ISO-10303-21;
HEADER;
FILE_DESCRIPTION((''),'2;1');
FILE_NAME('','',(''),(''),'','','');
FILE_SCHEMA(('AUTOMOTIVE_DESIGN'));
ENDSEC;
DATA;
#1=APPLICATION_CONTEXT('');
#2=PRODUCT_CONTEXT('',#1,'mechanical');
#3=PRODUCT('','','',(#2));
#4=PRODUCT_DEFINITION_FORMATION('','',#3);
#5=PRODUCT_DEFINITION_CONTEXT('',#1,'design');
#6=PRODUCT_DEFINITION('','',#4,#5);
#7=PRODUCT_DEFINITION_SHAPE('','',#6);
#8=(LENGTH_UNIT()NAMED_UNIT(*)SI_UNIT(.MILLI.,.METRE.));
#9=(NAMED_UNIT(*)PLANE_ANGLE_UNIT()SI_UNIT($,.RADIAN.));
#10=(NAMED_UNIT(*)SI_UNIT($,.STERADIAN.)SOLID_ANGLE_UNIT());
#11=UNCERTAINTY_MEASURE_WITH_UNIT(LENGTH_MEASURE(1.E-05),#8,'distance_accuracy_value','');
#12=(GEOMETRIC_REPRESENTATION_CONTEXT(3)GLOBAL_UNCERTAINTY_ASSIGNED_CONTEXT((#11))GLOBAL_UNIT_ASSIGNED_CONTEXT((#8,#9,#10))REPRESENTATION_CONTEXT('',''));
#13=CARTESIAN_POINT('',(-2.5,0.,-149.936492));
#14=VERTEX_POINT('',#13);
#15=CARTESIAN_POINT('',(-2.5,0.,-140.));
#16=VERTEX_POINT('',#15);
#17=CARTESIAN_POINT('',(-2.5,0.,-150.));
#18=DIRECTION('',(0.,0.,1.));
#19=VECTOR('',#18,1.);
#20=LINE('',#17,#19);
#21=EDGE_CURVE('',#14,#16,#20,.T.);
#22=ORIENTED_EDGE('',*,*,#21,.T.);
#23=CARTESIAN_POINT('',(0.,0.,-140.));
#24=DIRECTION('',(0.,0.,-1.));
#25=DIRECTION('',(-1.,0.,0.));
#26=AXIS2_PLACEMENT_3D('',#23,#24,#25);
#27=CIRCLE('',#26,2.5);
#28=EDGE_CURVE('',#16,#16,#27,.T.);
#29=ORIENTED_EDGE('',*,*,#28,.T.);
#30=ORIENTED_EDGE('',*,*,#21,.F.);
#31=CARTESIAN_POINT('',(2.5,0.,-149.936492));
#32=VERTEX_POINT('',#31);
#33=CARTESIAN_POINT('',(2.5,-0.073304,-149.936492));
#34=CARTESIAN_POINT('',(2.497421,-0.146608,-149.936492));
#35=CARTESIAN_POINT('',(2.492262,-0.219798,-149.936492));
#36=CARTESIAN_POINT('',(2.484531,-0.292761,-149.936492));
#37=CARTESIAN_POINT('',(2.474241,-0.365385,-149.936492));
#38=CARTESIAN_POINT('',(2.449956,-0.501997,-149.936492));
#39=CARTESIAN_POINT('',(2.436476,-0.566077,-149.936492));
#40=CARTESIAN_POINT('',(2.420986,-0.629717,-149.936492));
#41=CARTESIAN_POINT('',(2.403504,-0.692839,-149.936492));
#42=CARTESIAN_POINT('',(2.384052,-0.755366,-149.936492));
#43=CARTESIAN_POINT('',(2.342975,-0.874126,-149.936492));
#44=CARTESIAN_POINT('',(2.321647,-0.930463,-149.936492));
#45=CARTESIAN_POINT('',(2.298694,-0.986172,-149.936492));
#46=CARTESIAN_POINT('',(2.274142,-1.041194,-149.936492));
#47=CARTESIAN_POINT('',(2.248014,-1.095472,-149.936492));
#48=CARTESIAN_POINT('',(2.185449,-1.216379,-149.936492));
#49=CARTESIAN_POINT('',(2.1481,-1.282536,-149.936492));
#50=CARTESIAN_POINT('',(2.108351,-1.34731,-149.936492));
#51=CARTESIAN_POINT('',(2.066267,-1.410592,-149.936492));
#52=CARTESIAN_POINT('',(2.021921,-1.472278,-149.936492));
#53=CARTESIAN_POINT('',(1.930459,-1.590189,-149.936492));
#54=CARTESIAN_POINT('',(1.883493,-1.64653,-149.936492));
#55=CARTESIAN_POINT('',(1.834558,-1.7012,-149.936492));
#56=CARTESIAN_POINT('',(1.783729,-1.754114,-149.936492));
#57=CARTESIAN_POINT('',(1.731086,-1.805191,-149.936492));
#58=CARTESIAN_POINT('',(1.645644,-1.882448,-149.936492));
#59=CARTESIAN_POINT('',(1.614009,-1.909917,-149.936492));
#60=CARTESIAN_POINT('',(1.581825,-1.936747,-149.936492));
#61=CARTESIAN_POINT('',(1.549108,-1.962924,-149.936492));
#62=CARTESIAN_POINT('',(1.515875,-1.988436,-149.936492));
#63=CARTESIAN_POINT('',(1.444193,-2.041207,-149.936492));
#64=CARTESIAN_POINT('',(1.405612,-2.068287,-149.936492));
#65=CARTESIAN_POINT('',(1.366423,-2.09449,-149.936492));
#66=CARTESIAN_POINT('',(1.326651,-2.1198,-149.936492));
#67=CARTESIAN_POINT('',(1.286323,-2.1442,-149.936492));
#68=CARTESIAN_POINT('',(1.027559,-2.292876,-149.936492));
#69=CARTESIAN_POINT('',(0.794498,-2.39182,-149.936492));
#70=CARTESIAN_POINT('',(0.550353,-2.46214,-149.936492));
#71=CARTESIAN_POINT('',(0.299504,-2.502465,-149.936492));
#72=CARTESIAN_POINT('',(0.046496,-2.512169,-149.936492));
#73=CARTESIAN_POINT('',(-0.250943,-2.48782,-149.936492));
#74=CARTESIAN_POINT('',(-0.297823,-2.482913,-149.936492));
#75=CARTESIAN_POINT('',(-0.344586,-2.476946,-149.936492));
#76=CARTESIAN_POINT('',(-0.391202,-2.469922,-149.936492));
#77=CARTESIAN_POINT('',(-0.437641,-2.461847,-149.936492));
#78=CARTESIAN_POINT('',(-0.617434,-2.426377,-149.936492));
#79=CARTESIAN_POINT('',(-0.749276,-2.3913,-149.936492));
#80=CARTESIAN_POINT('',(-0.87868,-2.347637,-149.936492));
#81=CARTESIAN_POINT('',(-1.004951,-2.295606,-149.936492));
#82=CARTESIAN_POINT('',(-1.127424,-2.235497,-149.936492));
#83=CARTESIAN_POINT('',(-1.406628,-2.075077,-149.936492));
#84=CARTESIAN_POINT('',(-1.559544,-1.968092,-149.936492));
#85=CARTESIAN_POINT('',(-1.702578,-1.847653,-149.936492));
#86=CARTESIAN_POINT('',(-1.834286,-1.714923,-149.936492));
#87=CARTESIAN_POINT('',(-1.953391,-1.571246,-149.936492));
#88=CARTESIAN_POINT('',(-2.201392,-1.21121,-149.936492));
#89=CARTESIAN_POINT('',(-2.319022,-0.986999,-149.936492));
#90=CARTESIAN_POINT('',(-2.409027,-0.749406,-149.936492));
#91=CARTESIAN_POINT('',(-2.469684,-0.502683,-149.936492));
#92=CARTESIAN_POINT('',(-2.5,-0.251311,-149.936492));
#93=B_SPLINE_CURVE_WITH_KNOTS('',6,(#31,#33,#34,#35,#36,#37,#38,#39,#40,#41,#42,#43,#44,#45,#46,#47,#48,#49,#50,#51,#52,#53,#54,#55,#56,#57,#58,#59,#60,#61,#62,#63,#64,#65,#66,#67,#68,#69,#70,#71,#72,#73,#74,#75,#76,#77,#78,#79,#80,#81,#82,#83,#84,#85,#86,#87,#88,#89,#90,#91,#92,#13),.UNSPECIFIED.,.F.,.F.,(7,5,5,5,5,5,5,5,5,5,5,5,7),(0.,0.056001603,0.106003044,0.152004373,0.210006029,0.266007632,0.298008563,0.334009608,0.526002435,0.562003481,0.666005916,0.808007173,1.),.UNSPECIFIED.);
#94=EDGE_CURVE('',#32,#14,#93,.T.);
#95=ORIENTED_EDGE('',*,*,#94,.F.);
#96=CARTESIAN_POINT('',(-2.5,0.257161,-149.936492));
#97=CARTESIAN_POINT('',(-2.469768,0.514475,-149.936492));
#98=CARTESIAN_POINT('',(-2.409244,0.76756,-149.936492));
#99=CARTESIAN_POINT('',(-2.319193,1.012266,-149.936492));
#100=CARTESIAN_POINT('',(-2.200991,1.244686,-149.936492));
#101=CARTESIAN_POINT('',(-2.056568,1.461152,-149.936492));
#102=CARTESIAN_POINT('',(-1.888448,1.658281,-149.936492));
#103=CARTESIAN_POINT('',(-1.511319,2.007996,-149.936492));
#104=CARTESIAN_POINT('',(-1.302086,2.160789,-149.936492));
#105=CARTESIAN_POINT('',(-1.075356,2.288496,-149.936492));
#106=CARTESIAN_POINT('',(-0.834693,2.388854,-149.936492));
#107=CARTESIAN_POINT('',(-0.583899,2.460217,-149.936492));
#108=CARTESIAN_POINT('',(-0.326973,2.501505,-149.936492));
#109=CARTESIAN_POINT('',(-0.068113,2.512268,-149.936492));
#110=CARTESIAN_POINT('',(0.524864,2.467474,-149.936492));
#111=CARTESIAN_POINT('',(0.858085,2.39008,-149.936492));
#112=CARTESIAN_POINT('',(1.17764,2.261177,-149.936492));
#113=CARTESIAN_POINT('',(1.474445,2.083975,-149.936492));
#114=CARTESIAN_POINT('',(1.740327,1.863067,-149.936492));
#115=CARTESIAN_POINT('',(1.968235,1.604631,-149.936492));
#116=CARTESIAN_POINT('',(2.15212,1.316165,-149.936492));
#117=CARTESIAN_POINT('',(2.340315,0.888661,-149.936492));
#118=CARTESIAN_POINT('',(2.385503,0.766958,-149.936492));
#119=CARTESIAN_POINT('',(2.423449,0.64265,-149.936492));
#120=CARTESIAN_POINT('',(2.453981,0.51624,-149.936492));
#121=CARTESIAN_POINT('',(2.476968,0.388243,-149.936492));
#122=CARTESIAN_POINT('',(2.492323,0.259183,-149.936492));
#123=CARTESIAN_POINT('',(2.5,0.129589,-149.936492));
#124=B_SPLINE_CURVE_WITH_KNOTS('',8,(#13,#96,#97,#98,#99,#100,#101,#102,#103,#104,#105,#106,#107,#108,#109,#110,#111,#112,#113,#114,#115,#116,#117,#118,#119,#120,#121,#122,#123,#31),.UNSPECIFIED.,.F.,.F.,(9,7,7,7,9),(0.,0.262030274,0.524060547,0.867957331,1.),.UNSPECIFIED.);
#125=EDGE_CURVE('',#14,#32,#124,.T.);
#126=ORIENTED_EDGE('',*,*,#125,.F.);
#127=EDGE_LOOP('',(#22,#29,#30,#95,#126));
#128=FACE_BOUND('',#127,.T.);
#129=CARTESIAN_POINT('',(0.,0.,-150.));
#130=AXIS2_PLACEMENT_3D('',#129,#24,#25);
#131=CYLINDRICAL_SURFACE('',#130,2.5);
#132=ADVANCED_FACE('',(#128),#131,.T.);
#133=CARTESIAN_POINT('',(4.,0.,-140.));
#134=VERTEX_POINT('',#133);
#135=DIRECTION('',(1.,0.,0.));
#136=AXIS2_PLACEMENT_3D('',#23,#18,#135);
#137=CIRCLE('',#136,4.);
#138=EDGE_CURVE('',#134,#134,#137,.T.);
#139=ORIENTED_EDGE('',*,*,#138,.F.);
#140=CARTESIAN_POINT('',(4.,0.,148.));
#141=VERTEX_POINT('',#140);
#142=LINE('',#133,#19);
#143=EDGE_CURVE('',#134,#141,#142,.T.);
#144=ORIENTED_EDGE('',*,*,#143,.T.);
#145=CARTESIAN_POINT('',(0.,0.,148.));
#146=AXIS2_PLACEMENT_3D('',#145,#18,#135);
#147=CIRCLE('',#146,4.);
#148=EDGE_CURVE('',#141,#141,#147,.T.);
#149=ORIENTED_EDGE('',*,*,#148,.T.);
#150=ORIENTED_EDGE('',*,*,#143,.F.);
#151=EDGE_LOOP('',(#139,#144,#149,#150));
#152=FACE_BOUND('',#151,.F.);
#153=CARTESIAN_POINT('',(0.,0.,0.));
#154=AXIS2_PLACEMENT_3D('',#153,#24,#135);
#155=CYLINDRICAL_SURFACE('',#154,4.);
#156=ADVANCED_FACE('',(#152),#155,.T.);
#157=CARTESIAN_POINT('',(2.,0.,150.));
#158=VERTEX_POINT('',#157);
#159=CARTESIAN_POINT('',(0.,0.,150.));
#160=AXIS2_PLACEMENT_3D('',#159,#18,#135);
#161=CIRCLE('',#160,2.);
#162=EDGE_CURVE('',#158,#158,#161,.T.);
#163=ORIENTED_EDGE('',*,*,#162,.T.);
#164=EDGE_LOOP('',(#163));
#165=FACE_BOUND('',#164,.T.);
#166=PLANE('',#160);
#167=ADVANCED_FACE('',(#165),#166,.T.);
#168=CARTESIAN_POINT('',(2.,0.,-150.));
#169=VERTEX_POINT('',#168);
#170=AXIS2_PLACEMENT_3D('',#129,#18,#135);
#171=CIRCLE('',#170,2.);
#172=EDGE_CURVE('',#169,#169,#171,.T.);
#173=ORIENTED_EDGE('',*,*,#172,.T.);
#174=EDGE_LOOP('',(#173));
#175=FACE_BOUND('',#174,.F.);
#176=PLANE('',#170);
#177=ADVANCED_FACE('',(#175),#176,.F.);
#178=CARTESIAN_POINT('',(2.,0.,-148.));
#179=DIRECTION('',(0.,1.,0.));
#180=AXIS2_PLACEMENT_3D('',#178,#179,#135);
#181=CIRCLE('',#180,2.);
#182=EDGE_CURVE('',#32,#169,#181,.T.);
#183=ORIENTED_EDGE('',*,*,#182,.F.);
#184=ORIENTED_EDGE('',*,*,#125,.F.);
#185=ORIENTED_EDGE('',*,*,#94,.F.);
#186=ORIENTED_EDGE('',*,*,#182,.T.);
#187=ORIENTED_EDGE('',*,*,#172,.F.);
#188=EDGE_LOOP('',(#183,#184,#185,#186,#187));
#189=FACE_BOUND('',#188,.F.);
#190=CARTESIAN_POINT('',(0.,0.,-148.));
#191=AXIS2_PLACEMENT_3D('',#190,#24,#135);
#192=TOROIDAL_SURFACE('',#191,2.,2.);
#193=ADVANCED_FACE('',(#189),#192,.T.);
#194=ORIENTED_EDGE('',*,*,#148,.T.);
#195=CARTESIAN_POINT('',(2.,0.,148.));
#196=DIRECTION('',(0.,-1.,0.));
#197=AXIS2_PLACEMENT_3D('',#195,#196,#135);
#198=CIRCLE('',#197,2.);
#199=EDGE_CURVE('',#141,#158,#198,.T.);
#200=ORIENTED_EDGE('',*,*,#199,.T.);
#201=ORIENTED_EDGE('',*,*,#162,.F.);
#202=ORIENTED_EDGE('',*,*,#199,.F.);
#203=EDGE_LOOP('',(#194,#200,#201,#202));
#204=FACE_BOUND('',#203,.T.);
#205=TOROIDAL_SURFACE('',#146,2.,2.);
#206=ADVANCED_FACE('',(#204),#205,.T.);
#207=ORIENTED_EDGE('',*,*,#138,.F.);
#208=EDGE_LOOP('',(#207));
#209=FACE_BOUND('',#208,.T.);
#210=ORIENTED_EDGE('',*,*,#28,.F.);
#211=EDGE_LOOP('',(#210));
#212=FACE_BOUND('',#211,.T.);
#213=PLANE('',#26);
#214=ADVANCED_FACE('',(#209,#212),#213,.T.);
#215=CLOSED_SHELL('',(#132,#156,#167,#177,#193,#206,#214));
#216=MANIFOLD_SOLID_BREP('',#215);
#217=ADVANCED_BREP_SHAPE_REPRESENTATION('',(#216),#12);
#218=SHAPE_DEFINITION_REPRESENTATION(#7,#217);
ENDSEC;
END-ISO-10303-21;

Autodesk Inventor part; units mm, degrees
ref_plane "YZ Plane" through (0, 0, 0) normal (1, 0, 0) x (0, 1, 0)
ref_plane "XZ Plane" through (0, 0, 0) normal (0, 1, 0) x (-1, 0, 0)
ref_plane "XY Plane" through (0, 0, 0) normal (0, 0, 1) x (1, 0, 0)
sketch "Sketch1" plane through (0, 0, 0) normal (0, 0, 1) x (1, 0, 0)
  circle A0 centre (0, 0) radius 4
  dimension "d0" = 8
extrude "Extrusion1" add sketch "Sketch1" along normal mid plane 300
fillet "Fillet1" radius 2 2 edges at (-4, 0, 150) (-4, 0, -150)
thread "Thread1" size "M8x1.25" class "6g" standard "ANSI Metric M Profile" full length
sketch "Sketch2" plane through (0, 0, -150) normal (0, 0, -1) x (-1, 0, 0)
  circle A0 centre (0, 0) radius 2 construction
  circle A1 centre (0, 0) radius 4.5
  circle A2 centre (0, 0) radius 4 construction
  circle A3 centre (0, 0) radius 2.5
  dimension "d6" = 0.5
  dimension "d7" = 5
extrude "Extrusion2" cut sketch "Sketch2" against normal blind 10
properties part number "Z Akse gevindstang" material "Aluminum 6061"
